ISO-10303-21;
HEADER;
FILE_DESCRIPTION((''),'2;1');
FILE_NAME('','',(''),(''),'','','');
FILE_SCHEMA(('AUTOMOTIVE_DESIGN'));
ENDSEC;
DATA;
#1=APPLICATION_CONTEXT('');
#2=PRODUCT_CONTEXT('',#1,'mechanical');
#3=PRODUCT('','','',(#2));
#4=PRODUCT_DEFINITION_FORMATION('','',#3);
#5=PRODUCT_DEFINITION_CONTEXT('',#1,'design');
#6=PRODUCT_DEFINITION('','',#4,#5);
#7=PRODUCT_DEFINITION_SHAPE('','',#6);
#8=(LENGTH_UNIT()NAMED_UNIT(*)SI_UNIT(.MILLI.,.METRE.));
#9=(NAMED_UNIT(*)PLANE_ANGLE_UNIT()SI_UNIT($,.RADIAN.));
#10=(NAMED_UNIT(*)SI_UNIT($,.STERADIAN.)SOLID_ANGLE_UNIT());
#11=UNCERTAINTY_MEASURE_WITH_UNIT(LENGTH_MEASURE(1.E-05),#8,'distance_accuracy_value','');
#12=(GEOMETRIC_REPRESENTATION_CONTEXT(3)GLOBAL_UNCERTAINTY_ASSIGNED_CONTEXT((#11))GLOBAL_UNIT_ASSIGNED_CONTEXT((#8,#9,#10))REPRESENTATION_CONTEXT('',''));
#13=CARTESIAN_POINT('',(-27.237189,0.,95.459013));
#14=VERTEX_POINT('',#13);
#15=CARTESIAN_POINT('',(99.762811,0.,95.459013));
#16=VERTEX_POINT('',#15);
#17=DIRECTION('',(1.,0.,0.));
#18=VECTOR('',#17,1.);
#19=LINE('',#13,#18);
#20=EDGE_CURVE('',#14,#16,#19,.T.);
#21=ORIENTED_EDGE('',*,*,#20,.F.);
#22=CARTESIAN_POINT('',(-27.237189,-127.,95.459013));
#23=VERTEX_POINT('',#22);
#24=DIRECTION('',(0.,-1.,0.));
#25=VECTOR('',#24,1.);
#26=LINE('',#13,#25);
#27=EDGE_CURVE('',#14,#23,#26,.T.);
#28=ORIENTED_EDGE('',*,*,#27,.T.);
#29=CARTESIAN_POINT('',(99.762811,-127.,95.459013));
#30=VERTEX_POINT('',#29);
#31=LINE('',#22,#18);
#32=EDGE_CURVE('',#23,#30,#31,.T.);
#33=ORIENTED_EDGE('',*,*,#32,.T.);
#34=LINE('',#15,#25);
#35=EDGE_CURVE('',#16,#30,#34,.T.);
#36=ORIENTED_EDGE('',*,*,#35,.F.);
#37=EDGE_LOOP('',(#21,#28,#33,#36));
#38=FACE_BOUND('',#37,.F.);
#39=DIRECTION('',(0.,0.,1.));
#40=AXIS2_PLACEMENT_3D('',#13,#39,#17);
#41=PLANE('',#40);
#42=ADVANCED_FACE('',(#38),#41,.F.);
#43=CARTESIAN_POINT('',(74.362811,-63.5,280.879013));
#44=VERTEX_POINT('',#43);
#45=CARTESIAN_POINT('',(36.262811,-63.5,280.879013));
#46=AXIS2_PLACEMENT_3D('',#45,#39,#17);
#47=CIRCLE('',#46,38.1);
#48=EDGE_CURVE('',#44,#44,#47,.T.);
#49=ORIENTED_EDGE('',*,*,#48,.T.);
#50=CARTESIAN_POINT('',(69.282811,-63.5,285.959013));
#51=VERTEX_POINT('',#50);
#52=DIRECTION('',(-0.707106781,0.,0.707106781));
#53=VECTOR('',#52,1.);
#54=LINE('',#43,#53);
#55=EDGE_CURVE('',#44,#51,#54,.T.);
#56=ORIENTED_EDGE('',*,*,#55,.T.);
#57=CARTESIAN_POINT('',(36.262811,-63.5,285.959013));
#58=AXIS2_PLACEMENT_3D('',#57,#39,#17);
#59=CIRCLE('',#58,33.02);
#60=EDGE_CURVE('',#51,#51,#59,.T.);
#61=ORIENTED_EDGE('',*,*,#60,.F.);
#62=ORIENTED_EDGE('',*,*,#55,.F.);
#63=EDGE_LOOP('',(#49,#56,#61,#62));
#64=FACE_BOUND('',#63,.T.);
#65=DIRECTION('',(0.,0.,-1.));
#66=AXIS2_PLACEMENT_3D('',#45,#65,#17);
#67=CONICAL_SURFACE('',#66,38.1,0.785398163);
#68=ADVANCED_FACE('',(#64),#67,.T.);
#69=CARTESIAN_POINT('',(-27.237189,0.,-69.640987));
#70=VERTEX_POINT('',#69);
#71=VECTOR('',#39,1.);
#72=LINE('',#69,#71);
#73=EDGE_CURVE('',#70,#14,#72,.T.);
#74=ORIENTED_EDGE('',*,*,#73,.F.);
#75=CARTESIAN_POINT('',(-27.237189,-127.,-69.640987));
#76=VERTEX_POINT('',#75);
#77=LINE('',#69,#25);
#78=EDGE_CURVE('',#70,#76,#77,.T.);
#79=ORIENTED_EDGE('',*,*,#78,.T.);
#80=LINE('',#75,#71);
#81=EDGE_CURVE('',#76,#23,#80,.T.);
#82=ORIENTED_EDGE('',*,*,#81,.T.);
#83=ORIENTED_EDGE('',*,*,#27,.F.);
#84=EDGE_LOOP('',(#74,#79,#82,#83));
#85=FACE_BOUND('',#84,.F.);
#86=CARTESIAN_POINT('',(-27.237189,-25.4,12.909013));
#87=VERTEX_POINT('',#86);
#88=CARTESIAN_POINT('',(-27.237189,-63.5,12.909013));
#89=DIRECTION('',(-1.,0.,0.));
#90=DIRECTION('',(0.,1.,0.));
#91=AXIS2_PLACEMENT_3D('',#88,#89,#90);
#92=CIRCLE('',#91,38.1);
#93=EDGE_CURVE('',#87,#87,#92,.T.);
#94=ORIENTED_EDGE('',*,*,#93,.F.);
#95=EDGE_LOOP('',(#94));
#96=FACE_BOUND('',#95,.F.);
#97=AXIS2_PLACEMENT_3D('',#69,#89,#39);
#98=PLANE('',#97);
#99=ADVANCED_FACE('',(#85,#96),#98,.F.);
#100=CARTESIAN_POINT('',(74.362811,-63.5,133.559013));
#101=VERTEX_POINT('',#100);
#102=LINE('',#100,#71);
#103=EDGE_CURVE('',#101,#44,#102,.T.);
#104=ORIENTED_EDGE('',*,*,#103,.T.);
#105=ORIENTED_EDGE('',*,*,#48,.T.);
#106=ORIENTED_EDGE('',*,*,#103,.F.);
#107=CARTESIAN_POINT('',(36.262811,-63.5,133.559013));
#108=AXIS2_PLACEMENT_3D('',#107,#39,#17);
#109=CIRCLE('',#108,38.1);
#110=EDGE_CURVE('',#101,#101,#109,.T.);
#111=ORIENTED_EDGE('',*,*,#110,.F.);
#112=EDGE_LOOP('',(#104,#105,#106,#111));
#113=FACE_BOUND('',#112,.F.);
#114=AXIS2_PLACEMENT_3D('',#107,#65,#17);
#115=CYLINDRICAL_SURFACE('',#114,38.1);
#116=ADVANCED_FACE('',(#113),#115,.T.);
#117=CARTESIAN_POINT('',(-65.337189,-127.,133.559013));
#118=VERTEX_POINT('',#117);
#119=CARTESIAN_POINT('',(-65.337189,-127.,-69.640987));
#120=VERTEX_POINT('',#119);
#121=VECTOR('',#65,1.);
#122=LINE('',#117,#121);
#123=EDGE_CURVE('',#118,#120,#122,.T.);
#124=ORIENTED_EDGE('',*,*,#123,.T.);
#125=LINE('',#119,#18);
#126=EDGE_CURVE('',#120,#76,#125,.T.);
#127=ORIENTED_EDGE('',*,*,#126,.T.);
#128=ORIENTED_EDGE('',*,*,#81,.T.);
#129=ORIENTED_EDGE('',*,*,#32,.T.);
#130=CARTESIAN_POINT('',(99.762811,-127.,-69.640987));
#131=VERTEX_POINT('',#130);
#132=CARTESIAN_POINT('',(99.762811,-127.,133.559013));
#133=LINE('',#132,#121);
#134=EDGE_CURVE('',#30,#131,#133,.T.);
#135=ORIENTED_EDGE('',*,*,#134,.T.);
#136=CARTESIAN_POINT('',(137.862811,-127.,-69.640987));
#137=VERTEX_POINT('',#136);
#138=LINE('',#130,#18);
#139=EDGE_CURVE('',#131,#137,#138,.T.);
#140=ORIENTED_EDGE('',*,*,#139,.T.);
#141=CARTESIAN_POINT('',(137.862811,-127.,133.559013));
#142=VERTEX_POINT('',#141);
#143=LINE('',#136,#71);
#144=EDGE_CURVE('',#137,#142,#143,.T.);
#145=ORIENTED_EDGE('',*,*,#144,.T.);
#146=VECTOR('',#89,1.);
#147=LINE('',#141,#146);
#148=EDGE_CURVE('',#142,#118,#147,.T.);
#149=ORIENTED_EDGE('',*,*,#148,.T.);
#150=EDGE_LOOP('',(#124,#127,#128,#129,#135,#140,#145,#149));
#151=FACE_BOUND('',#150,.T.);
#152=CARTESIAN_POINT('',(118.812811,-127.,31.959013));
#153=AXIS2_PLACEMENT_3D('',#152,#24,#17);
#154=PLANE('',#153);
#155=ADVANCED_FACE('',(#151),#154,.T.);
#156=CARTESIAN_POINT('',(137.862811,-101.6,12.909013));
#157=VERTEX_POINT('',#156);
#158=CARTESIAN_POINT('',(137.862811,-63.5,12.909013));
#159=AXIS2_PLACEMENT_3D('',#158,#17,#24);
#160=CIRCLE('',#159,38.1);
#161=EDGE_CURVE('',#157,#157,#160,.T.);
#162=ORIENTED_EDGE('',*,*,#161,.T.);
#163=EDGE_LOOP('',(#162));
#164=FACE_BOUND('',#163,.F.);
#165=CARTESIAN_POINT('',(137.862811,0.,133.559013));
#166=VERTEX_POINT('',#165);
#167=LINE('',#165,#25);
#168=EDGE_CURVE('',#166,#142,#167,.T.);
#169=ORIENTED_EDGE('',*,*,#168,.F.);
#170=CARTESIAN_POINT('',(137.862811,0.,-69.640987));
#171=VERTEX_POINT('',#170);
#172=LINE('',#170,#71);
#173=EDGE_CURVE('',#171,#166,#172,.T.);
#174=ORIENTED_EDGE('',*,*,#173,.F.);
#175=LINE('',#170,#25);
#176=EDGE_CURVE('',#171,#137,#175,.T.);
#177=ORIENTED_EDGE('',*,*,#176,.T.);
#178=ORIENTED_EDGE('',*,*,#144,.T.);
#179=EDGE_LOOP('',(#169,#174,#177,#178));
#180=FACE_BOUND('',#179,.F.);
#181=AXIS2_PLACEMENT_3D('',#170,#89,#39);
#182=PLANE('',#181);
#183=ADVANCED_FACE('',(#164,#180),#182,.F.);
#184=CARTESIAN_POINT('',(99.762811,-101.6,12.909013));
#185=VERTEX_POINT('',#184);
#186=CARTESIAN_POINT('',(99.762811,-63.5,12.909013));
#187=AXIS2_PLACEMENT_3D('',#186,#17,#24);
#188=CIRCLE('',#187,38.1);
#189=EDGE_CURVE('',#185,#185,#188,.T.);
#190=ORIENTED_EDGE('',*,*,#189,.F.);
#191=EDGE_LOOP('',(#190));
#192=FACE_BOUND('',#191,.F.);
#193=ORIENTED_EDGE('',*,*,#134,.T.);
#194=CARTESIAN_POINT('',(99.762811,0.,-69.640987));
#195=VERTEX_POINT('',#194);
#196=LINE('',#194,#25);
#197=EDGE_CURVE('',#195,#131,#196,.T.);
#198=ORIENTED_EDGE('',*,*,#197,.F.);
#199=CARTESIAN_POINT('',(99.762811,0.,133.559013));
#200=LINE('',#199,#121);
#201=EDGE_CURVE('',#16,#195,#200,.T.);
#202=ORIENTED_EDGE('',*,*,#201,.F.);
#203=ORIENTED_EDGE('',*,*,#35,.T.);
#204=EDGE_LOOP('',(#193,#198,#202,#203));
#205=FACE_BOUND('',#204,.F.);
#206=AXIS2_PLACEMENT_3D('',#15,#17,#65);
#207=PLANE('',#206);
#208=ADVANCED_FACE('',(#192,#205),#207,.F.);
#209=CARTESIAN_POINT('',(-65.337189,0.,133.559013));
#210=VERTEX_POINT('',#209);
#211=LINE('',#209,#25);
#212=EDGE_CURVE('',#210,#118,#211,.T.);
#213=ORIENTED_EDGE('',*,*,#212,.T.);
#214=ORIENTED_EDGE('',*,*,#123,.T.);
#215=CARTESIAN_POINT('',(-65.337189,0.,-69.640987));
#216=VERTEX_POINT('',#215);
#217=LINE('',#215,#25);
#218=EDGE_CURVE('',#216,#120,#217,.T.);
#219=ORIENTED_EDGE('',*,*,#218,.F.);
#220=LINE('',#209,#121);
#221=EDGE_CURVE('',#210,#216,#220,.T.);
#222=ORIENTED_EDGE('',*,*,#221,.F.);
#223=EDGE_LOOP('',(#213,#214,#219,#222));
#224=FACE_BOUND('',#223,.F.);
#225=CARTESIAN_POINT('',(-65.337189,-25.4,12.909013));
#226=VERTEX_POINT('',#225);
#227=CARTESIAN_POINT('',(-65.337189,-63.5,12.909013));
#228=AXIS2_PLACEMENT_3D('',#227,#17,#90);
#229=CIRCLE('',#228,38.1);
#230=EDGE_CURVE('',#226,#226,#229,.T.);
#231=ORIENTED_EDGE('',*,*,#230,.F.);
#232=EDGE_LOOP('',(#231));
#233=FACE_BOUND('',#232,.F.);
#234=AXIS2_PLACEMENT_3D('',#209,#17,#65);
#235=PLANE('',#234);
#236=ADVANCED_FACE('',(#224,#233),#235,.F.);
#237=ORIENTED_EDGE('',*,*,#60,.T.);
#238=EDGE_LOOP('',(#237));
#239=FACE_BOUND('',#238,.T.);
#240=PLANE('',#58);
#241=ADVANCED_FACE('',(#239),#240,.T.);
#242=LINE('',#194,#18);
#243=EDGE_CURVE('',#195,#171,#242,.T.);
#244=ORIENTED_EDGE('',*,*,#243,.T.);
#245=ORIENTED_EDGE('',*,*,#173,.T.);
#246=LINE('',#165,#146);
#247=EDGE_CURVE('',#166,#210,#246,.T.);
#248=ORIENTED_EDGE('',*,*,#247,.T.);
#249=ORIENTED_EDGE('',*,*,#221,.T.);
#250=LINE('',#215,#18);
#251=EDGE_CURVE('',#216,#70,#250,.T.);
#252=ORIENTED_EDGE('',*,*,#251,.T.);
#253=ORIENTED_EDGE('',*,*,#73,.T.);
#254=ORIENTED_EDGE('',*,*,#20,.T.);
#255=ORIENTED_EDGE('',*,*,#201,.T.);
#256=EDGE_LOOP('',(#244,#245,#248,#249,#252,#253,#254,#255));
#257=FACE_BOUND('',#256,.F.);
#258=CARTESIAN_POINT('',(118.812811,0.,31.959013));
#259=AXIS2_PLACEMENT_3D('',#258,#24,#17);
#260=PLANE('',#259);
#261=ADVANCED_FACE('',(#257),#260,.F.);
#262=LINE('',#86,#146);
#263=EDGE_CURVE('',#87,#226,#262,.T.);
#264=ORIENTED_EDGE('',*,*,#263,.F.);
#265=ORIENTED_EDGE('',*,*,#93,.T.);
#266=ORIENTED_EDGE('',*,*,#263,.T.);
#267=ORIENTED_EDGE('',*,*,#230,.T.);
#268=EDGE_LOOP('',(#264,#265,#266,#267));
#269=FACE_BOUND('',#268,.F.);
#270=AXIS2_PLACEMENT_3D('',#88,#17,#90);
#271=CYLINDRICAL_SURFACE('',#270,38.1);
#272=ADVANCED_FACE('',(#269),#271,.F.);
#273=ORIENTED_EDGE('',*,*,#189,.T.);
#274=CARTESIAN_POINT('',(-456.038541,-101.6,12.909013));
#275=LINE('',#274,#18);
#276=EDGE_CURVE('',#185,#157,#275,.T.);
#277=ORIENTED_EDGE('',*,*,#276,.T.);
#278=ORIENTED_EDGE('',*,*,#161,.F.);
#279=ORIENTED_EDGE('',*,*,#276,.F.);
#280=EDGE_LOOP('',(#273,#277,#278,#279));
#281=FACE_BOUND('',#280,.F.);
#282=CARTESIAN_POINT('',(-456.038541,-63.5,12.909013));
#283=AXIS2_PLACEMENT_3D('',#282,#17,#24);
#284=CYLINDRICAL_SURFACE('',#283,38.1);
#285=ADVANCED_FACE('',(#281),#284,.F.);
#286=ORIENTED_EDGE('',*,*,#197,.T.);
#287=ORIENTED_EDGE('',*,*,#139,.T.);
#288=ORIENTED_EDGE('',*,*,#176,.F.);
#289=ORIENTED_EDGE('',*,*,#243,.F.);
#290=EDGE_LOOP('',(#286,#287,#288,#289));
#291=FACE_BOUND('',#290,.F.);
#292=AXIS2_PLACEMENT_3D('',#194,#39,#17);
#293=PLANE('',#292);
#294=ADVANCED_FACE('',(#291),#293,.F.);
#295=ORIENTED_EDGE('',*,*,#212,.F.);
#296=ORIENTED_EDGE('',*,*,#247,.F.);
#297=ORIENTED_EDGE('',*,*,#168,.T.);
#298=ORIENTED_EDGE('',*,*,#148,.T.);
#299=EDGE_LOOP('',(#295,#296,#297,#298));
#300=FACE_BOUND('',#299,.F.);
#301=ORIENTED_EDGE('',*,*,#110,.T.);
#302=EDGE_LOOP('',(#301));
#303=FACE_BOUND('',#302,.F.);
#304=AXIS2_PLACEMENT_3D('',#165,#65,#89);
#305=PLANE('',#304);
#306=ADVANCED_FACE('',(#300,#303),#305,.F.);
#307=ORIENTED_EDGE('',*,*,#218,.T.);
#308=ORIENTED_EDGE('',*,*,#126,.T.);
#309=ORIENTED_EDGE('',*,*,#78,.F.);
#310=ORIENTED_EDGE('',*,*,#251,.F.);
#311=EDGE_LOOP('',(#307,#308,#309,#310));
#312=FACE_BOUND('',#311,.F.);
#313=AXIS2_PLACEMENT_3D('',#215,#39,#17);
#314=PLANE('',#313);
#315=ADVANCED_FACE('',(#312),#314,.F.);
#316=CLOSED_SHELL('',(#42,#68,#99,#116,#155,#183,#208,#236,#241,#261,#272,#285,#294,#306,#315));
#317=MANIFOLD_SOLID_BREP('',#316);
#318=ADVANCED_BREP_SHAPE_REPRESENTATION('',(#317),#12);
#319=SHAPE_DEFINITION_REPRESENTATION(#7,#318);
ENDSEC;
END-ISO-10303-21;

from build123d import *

# Parameters (mm, degrees)
F0_W     = 63.5
F0_H     = 38.1
F1_DEPTH = 127
F2_R     = 38.1
F3_DEPTH = 152.4
F4_SIZE  = 5.08
F6_D     = 76.2
F6_DEPTH = 38.101
F7_D     = 76.2


with BuildPart() as f1:
    # F0 (on Front) → F1 (new body)
    with BuildSketch(Plane.XZ):
        Polygon((137.8628114581, 133.5590133786), (99.7628114581, 133.5590133786), (99.7628114581, 95.4590133786), (99.7628114581, -69.6409866214), (137.8628114581, -69.6409866214), align=None)
        with Locations((68.0128114581, 114.5090133786)):
            Rectangle(F0_W, F0_H)
        with Locations((4.5128114581, 114.5090133786)):
            Rectangle(F0_W, F0_H)
        Polygon((-27.2371885419, 95.4590133786), (-27.2371885419, 133.5590133786), (-65.3371885419, 133.5590133786), (-65.3371885419, -69.6409866214), (-27.2371885419, -69.6409866214), align=None)
    extrude(amount=F1_DEPTH)

    # F2 (on face) → F3 (join)
    with BuildSketch(Plane.XY.offset(133.5590133786)):
        with Locations((36.2628114581, -63.5)):
            Circle(F2_R)
    extrude(amount=F3_DEPTH)

    # F4
    f4_edges = [f1.edges().sort_by_distance(p)[0] for p in [
        (-1.837189, -63.5, 285.959013),
    ]]
    chamfer(f4_edges, length=F4_SIZE)

    # F6 (through all, one way)
    with BuildSketch(Plane.YZ.offset(-27.2371885419)):
        with Locations((-63.5, 12.9090133786)):
            Circle(F6_D / 2)
    extrude(amount=-F6_DEPTH, mode=Mode.SUBTRACT)

    # F7 (through all)
    with Locations(Plane(origin=(-27.2371885419, 0, 0), x_dir=(0, 1, 0), z_dir=(-1, 0, 0))):
        with Locations((-63.5, -12.9090133786)):
            Hole(F7_D / 2)


solid = f1.part
